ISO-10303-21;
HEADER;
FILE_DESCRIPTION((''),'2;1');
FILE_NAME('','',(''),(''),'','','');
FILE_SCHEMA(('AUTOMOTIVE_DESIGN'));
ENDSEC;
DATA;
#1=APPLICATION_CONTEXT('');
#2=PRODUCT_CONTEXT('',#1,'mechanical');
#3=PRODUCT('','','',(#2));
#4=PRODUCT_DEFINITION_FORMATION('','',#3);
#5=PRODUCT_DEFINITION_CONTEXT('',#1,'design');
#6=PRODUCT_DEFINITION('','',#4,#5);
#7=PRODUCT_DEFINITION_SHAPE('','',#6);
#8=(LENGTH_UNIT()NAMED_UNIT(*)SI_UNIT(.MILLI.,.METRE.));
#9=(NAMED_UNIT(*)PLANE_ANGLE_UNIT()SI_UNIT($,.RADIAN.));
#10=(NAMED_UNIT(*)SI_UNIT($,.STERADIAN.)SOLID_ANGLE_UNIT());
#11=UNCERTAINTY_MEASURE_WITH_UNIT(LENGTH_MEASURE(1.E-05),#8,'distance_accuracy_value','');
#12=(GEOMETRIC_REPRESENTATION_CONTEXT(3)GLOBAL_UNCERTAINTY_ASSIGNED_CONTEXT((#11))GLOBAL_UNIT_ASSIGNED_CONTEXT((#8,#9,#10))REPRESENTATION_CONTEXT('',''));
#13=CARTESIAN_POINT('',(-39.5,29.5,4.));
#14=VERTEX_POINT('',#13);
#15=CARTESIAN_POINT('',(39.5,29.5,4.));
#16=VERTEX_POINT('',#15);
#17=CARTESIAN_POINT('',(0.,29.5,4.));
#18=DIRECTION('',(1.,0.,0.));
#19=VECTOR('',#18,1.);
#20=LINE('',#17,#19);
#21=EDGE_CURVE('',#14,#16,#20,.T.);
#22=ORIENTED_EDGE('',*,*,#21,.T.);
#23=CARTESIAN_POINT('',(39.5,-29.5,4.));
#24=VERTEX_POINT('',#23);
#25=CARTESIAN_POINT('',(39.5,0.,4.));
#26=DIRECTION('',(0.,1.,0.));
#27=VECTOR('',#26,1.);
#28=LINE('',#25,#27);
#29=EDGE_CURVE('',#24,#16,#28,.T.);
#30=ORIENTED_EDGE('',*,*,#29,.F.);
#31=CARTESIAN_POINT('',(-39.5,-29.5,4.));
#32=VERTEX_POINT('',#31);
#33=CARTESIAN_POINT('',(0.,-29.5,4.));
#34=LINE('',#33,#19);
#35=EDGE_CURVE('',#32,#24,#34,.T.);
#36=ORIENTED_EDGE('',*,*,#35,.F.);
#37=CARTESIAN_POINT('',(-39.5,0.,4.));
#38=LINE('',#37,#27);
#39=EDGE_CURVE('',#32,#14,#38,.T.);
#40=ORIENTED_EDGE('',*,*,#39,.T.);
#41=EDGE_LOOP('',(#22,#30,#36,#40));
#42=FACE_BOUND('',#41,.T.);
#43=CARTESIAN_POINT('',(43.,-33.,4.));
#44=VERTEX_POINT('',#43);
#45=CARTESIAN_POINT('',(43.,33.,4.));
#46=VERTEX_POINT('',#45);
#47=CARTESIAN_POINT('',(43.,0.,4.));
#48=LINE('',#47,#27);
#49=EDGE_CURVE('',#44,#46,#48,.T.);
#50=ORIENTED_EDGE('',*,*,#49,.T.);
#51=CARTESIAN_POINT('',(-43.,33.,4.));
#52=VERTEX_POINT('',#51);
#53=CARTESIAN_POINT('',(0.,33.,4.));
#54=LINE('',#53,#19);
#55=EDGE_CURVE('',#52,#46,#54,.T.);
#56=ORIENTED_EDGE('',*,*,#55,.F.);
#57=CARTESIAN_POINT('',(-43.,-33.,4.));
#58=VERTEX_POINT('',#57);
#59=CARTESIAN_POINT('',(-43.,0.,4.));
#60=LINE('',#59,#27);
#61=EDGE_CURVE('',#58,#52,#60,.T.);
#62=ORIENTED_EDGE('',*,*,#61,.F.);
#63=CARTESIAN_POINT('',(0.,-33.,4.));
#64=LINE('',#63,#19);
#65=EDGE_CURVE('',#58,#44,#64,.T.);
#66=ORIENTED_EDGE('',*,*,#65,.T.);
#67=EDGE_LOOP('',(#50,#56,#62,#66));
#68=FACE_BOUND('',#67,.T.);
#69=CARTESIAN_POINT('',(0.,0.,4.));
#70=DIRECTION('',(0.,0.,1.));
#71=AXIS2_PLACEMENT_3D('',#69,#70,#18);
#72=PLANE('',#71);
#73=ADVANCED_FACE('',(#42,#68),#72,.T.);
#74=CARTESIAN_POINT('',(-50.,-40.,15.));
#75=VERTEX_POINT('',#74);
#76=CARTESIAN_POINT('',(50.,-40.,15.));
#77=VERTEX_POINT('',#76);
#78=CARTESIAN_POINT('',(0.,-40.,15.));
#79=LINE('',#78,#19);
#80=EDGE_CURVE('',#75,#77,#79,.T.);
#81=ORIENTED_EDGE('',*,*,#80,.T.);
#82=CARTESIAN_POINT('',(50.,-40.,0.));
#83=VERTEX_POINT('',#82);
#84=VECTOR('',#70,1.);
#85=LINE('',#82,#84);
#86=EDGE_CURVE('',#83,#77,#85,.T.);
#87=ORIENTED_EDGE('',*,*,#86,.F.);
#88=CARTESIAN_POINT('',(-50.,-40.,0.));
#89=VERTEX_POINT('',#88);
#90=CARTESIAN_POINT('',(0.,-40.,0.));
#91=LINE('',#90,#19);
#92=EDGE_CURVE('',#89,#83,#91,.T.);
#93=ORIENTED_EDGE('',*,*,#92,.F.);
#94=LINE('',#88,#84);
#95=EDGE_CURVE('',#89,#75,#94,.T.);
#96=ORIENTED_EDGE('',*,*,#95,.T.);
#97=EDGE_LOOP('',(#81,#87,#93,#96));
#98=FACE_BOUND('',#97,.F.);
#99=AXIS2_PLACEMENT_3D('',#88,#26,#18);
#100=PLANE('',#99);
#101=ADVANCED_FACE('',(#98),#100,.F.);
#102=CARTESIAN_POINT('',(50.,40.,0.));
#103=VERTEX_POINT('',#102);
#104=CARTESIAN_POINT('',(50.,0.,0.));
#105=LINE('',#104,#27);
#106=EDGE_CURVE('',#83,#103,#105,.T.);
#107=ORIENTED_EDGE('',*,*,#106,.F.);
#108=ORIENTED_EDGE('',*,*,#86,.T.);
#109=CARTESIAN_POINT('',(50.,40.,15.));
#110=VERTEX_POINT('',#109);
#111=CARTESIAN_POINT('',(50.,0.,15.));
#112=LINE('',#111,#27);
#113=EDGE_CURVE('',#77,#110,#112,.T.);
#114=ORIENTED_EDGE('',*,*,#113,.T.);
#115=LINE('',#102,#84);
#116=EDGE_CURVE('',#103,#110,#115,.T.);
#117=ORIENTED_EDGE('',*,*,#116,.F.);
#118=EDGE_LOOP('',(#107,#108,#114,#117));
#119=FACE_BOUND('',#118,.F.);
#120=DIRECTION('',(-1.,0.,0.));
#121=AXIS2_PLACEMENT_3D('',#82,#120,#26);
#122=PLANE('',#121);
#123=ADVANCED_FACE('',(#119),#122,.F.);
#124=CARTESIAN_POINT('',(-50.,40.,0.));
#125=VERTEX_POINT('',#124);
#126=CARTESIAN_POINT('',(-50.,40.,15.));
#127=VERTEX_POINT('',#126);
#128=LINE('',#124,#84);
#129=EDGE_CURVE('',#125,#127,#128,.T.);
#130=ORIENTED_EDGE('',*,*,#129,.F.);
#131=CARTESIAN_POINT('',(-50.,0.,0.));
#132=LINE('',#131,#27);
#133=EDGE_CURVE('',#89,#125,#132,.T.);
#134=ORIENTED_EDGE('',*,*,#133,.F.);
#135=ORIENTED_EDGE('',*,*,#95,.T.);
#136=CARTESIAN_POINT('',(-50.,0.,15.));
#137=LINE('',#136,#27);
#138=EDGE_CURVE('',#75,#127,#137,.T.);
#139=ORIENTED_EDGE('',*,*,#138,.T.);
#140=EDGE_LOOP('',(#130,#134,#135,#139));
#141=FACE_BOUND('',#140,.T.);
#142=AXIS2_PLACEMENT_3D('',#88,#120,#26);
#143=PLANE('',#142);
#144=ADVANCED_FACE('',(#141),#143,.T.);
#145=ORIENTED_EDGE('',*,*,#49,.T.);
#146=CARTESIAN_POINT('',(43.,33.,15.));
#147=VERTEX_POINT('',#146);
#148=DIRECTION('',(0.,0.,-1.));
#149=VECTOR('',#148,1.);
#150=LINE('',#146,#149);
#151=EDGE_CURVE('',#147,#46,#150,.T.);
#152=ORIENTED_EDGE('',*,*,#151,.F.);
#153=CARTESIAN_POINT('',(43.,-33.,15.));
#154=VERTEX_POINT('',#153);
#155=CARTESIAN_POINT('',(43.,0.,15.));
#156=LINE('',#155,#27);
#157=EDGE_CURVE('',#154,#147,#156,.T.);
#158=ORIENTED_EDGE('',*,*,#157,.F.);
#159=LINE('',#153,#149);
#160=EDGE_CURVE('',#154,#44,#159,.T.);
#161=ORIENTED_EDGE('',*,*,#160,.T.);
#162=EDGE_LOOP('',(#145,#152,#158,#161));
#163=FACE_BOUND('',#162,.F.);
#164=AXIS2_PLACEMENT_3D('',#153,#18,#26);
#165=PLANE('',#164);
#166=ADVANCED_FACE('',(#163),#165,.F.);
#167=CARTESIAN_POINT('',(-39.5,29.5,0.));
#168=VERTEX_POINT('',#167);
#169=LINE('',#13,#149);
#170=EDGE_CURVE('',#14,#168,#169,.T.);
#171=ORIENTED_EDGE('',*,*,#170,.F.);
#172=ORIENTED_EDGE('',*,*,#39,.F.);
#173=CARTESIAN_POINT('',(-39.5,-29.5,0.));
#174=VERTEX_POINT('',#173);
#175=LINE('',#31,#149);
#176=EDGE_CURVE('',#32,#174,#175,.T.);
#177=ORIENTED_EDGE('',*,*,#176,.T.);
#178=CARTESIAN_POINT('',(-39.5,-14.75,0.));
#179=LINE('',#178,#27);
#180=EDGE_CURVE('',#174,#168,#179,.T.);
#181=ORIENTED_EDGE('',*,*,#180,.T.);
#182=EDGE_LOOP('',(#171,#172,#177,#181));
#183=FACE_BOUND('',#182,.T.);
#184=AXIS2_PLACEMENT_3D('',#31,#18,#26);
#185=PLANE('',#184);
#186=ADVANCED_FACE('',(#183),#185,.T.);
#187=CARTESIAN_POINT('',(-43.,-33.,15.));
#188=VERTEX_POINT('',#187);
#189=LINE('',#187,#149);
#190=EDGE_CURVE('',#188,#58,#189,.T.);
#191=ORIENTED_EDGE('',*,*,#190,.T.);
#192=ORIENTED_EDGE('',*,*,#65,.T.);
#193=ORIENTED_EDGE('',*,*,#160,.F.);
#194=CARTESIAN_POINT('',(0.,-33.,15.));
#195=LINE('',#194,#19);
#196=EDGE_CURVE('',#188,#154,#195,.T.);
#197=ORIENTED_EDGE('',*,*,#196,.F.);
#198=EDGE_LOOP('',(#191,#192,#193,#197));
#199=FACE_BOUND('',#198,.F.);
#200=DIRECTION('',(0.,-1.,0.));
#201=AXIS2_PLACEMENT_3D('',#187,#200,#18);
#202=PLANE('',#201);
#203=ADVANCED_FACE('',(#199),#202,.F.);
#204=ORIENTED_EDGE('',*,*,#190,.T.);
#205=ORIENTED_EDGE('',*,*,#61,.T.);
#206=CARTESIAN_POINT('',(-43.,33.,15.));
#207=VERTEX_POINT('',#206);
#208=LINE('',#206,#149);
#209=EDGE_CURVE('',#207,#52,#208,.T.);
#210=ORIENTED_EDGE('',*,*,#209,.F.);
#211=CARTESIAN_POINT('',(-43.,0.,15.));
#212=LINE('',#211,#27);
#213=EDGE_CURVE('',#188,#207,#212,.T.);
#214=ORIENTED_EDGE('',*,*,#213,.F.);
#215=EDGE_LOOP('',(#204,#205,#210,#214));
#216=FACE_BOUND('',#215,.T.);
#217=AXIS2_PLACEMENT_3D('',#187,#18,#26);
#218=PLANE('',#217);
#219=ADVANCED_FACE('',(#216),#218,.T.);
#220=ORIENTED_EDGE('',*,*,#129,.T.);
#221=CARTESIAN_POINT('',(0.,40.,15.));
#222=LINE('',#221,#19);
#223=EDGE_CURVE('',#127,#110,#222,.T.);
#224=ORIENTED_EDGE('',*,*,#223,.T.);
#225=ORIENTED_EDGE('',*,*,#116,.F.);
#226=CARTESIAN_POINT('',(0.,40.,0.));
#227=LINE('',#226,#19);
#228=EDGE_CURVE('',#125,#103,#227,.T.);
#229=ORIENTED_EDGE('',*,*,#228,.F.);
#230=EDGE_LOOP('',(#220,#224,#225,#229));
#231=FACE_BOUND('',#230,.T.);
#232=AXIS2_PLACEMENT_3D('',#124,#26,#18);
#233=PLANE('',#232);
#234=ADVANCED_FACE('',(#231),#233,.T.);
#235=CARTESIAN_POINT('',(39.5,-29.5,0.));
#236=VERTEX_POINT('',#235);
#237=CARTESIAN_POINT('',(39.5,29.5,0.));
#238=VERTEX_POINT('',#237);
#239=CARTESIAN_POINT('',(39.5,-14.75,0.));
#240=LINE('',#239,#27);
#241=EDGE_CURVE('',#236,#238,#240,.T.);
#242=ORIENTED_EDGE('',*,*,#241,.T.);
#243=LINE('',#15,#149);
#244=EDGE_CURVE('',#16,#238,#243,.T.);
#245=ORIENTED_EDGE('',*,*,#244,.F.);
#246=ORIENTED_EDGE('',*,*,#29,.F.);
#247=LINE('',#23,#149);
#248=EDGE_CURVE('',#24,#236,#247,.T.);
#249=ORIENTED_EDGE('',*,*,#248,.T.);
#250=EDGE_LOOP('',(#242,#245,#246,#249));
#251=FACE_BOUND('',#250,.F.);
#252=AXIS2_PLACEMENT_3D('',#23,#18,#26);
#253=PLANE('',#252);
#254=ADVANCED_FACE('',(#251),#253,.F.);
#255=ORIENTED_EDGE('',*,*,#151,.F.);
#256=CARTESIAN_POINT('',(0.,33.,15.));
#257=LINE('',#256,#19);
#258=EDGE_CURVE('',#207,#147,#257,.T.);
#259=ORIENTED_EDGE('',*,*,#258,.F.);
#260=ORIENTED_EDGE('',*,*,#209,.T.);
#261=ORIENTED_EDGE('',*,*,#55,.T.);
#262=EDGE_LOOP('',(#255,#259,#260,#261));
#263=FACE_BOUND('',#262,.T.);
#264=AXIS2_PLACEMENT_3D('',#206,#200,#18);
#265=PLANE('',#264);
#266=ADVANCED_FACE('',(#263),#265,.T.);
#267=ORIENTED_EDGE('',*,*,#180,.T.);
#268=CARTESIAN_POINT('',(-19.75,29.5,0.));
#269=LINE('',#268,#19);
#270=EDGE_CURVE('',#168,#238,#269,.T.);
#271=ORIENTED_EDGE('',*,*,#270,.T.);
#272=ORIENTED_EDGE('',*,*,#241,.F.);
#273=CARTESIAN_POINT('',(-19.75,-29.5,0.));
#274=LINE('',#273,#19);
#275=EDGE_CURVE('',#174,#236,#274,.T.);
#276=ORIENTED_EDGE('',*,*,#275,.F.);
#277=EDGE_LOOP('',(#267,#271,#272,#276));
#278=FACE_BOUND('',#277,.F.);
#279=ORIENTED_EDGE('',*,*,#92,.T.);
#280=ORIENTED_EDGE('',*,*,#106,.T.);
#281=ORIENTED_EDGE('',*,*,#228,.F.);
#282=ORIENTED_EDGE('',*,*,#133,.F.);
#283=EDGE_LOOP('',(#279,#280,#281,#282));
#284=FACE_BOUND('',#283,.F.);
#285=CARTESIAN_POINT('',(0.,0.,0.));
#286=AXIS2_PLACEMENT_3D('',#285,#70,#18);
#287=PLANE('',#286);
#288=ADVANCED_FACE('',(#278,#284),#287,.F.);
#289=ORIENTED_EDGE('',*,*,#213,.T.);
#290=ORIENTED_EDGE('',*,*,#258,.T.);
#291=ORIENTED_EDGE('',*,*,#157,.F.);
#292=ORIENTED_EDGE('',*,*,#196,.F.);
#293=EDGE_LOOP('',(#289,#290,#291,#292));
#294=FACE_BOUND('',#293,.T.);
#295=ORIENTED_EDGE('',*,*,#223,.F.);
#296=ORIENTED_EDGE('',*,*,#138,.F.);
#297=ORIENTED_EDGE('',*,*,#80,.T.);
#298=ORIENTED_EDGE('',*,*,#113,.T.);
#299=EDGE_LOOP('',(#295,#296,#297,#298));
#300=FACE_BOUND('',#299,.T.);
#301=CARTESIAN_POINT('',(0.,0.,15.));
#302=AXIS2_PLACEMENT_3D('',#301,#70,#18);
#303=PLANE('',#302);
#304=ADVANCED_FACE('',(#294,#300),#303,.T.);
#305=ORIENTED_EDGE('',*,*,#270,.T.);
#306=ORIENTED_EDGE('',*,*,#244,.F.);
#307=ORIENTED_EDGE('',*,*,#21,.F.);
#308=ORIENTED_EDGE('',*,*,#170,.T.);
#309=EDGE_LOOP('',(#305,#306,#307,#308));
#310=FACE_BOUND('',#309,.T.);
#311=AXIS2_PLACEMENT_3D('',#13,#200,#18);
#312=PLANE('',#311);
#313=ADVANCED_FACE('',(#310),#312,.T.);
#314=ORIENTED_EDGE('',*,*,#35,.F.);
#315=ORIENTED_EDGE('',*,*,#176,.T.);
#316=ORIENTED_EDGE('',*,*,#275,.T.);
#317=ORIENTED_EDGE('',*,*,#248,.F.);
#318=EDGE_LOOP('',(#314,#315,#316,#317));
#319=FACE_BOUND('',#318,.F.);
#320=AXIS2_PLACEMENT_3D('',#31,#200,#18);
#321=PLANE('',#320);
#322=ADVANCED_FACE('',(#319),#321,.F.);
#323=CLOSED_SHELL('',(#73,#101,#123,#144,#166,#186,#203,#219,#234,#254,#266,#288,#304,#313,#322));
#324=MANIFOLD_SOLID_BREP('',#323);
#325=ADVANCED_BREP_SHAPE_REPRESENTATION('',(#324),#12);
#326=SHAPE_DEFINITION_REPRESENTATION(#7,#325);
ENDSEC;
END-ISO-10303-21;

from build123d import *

# Parameters (mm, degrees)
F0_W     = 100
F0_H     = 80
F1_DEPTH = 15
F2_W     = 86
F2_H     = 66
F3_DEPTH = 11
F4_W     = 79
F4_H     = 59
F5_DEPTH = 4.001


with BuildPart() as f1:
    # F0 (on Top) → F1 (new body)
    with BuildSketch(Plane.XY):
        Rectangle(F0_W, F0_H)
    extrude(amount=F1_DEPTH)

    # F2 (on face) → F3 (cut)
    with BuildSketch(Plane.XY.offset(15)):
        Rectangle(F2_W, F2_H)
    extrude(amount=-F3_DEPTH, mode=Mode.SUBTRACT)

    # F4 (on face) → F5 (cut, through all)
    with BuildSketch(Plane.XY.offset(4)):
        Rectangle(F4_W, F4_H)
    extrude(amount=-F5_DEPTH, mode=Mode.SUBTRACT)


solid = f1.part
